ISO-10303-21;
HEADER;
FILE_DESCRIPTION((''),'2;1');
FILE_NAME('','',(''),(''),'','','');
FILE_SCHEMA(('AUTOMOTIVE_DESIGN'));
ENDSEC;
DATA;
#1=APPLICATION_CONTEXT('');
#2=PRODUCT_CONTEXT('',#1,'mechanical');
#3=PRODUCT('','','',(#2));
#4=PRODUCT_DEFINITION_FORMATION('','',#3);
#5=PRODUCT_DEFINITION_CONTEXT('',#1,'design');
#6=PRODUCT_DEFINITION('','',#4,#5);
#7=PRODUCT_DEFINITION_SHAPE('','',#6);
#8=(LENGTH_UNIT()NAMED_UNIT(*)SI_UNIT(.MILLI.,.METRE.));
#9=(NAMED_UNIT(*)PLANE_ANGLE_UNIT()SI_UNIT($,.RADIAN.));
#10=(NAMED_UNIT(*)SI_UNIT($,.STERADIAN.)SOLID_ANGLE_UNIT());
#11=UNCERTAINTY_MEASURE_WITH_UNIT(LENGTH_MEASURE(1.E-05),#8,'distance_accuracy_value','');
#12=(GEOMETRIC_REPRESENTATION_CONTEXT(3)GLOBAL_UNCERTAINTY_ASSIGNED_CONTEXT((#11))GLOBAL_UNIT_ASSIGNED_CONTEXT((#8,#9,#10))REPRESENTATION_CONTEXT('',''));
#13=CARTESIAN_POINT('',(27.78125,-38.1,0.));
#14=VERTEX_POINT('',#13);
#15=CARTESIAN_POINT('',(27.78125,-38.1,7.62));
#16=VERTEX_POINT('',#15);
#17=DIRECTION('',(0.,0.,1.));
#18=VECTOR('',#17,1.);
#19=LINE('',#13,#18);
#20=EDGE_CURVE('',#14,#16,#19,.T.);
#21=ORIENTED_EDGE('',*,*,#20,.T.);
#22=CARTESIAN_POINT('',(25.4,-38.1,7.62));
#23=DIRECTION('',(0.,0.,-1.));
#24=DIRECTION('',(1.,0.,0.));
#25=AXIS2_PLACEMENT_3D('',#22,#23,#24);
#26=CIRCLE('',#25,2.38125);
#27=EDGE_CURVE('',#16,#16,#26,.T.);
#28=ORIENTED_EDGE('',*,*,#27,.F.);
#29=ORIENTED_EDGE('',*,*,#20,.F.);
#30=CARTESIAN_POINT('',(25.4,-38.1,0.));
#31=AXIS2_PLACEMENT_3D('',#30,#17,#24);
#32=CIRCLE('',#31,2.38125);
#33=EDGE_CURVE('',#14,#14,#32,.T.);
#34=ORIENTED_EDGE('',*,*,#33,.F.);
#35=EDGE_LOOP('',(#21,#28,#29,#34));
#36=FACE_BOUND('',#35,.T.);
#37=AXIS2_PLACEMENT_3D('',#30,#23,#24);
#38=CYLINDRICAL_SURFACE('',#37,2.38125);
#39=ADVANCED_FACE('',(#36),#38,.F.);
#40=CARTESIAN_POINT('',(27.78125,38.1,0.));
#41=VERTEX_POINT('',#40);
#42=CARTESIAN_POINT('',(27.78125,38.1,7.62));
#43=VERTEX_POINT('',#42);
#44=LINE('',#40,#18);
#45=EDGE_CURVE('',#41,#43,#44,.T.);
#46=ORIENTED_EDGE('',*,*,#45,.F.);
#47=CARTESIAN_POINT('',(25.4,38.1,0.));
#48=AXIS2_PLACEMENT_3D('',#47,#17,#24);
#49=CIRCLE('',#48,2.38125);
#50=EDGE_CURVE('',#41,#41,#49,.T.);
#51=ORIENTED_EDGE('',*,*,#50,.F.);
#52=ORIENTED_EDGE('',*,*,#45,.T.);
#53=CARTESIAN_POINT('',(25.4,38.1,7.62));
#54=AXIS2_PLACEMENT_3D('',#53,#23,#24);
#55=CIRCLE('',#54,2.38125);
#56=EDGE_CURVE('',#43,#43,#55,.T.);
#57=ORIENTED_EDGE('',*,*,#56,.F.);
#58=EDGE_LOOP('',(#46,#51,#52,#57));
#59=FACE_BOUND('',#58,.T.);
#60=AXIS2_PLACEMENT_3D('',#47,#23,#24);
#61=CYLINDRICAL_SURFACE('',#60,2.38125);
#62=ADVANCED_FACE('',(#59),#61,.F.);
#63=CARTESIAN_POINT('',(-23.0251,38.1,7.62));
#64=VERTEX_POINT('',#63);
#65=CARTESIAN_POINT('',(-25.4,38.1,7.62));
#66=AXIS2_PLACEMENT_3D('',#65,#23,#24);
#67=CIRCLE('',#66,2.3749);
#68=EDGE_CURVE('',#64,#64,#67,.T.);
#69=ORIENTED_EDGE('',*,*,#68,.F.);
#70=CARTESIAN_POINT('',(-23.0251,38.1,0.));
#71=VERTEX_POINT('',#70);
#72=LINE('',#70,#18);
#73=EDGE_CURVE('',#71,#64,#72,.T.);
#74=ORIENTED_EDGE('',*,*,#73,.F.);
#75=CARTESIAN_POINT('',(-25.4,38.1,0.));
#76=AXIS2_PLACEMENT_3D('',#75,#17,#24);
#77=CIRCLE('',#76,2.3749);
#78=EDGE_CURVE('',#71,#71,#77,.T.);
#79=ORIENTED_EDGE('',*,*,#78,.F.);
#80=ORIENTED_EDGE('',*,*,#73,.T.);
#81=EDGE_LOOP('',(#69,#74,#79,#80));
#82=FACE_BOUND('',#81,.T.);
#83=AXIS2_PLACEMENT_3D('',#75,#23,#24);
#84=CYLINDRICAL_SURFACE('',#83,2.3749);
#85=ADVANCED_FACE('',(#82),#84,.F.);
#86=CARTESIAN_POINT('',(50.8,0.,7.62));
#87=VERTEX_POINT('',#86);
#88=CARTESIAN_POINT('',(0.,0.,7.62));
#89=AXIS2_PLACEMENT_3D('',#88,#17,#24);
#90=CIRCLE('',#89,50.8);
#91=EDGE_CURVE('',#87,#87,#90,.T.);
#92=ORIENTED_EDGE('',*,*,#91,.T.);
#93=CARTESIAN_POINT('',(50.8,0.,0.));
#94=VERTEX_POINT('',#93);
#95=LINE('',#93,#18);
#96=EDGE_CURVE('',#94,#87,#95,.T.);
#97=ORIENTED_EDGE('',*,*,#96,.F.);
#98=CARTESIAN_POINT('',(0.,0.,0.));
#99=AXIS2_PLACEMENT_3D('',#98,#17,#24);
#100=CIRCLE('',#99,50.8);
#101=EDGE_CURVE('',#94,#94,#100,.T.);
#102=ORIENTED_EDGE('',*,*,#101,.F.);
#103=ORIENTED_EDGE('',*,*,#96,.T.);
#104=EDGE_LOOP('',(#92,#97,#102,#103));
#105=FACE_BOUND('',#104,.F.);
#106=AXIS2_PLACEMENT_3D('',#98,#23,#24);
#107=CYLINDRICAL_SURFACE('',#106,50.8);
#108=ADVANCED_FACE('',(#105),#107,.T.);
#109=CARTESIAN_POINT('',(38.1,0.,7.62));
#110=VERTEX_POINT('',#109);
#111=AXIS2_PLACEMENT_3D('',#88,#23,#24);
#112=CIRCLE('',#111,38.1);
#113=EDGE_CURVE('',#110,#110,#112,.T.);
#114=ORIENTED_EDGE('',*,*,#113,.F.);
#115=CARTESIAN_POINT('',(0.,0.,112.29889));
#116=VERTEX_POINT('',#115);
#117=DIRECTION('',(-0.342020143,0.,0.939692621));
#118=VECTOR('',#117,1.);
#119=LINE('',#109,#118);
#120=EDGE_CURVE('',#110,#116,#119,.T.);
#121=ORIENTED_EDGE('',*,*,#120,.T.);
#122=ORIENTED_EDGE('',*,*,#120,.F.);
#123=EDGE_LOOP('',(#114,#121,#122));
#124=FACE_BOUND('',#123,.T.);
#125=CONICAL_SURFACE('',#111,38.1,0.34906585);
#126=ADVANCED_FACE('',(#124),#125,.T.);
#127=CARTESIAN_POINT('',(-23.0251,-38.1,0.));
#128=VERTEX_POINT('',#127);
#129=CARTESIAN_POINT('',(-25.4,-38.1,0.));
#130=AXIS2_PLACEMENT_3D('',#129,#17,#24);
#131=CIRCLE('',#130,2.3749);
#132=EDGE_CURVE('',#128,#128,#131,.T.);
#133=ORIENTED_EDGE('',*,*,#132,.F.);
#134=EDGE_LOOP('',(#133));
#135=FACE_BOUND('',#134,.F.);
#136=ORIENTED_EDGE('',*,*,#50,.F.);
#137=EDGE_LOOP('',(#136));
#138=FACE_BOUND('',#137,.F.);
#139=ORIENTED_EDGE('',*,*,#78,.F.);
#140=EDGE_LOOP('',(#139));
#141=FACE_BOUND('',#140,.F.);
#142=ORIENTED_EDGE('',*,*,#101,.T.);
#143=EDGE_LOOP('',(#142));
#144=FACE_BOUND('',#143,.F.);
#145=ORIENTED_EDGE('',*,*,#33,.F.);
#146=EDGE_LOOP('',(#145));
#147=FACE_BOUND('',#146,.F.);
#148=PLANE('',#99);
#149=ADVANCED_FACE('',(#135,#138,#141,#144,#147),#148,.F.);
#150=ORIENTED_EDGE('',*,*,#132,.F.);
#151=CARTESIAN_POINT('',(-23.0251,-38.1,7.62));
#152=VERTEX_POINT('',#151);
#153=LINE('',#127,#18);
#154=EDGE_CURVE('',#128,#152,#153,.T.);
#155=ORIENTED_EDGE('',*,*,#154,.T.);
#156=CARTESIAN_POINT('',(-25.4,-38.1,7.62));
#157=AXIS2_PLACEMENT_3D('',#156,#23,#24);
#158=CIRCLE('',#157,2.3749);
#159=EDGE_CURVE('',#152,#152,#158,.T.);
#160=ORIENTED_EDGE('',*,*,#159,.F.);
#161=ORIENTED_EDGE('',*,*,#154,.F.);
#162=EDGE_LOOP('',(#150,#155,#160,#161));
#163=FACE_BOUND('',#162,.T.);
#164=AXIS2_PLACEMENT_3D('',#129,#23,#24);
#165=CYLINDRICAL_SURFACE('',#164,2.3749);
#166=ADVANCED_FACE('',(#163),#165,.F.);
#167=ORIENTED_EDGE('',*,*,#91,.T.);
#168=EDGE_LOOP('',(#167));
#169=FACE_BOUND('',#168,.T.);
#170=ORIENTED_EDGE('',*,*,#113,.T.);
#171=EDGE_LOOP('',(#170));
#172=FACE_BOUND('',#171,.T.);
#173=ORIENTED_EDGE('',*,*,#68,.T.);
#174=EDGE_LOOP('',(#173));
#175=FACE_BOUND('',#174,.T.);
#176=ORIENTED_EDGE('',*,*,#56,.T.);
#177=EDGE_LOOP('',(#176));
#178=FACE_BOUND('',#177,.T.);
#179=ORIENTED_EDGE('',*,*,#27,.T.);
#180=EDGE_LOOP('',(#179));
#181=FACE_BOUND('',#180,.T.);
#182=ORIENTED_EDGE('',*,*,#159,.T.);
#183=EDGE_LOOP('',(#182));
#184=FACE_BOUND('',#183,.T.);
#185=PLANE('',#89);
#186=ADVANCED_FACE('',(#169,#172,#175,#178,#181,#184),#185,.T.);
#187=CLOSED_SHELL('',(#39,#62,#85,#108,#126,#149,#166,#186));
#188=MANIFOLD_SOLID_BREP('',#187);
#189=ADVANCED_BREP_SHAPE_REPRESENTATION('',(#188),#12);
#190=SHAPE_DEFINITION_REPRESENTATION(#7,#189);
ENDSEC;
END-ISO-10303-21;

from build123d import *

# Parameters (mm, degrees)
F0_R     = 50.8
F1_DEPTH = 7.62
F2_R     = 38.1
F3_DEPTH = 124.206
F3_TAPER = 20
F4_R     = 2.3749
F4_R_2   = 2.38125
F5_DEPTH = 25.4


with BuildPart() as f1:
    # F0 (on Top) → F1 (new body)
    with BuildSketch(Plane.XY):
        Circle(F0_R)
    extrude(amount=F1_DEPTH)

    # F2 (on face) → F3 (join)
    with BuildSketch(Plane.XY.offset(7.62)):
        Circle(F2_R)
    extrude(amount=F3_DEPTH, taper=F3_TAPER)

    # F4 (on Top) → F5 (cut)
    with BuildSketch(Plane.XY):
        with Locations((-25.4, -38.1)):
            Circle(F4_R)
        with Locations((25.4, -38.1)):
            Circle(F4_R_2)
        with Locations((-25.4, 38.1)):
            Circle(F4_R)
        with Locations((25.4, 38.1)):
            Circle(F4_R_2)
    extrude(amount=F5_DEPTH, mode=Mode.SUBTRACT)


solid = f1.part
